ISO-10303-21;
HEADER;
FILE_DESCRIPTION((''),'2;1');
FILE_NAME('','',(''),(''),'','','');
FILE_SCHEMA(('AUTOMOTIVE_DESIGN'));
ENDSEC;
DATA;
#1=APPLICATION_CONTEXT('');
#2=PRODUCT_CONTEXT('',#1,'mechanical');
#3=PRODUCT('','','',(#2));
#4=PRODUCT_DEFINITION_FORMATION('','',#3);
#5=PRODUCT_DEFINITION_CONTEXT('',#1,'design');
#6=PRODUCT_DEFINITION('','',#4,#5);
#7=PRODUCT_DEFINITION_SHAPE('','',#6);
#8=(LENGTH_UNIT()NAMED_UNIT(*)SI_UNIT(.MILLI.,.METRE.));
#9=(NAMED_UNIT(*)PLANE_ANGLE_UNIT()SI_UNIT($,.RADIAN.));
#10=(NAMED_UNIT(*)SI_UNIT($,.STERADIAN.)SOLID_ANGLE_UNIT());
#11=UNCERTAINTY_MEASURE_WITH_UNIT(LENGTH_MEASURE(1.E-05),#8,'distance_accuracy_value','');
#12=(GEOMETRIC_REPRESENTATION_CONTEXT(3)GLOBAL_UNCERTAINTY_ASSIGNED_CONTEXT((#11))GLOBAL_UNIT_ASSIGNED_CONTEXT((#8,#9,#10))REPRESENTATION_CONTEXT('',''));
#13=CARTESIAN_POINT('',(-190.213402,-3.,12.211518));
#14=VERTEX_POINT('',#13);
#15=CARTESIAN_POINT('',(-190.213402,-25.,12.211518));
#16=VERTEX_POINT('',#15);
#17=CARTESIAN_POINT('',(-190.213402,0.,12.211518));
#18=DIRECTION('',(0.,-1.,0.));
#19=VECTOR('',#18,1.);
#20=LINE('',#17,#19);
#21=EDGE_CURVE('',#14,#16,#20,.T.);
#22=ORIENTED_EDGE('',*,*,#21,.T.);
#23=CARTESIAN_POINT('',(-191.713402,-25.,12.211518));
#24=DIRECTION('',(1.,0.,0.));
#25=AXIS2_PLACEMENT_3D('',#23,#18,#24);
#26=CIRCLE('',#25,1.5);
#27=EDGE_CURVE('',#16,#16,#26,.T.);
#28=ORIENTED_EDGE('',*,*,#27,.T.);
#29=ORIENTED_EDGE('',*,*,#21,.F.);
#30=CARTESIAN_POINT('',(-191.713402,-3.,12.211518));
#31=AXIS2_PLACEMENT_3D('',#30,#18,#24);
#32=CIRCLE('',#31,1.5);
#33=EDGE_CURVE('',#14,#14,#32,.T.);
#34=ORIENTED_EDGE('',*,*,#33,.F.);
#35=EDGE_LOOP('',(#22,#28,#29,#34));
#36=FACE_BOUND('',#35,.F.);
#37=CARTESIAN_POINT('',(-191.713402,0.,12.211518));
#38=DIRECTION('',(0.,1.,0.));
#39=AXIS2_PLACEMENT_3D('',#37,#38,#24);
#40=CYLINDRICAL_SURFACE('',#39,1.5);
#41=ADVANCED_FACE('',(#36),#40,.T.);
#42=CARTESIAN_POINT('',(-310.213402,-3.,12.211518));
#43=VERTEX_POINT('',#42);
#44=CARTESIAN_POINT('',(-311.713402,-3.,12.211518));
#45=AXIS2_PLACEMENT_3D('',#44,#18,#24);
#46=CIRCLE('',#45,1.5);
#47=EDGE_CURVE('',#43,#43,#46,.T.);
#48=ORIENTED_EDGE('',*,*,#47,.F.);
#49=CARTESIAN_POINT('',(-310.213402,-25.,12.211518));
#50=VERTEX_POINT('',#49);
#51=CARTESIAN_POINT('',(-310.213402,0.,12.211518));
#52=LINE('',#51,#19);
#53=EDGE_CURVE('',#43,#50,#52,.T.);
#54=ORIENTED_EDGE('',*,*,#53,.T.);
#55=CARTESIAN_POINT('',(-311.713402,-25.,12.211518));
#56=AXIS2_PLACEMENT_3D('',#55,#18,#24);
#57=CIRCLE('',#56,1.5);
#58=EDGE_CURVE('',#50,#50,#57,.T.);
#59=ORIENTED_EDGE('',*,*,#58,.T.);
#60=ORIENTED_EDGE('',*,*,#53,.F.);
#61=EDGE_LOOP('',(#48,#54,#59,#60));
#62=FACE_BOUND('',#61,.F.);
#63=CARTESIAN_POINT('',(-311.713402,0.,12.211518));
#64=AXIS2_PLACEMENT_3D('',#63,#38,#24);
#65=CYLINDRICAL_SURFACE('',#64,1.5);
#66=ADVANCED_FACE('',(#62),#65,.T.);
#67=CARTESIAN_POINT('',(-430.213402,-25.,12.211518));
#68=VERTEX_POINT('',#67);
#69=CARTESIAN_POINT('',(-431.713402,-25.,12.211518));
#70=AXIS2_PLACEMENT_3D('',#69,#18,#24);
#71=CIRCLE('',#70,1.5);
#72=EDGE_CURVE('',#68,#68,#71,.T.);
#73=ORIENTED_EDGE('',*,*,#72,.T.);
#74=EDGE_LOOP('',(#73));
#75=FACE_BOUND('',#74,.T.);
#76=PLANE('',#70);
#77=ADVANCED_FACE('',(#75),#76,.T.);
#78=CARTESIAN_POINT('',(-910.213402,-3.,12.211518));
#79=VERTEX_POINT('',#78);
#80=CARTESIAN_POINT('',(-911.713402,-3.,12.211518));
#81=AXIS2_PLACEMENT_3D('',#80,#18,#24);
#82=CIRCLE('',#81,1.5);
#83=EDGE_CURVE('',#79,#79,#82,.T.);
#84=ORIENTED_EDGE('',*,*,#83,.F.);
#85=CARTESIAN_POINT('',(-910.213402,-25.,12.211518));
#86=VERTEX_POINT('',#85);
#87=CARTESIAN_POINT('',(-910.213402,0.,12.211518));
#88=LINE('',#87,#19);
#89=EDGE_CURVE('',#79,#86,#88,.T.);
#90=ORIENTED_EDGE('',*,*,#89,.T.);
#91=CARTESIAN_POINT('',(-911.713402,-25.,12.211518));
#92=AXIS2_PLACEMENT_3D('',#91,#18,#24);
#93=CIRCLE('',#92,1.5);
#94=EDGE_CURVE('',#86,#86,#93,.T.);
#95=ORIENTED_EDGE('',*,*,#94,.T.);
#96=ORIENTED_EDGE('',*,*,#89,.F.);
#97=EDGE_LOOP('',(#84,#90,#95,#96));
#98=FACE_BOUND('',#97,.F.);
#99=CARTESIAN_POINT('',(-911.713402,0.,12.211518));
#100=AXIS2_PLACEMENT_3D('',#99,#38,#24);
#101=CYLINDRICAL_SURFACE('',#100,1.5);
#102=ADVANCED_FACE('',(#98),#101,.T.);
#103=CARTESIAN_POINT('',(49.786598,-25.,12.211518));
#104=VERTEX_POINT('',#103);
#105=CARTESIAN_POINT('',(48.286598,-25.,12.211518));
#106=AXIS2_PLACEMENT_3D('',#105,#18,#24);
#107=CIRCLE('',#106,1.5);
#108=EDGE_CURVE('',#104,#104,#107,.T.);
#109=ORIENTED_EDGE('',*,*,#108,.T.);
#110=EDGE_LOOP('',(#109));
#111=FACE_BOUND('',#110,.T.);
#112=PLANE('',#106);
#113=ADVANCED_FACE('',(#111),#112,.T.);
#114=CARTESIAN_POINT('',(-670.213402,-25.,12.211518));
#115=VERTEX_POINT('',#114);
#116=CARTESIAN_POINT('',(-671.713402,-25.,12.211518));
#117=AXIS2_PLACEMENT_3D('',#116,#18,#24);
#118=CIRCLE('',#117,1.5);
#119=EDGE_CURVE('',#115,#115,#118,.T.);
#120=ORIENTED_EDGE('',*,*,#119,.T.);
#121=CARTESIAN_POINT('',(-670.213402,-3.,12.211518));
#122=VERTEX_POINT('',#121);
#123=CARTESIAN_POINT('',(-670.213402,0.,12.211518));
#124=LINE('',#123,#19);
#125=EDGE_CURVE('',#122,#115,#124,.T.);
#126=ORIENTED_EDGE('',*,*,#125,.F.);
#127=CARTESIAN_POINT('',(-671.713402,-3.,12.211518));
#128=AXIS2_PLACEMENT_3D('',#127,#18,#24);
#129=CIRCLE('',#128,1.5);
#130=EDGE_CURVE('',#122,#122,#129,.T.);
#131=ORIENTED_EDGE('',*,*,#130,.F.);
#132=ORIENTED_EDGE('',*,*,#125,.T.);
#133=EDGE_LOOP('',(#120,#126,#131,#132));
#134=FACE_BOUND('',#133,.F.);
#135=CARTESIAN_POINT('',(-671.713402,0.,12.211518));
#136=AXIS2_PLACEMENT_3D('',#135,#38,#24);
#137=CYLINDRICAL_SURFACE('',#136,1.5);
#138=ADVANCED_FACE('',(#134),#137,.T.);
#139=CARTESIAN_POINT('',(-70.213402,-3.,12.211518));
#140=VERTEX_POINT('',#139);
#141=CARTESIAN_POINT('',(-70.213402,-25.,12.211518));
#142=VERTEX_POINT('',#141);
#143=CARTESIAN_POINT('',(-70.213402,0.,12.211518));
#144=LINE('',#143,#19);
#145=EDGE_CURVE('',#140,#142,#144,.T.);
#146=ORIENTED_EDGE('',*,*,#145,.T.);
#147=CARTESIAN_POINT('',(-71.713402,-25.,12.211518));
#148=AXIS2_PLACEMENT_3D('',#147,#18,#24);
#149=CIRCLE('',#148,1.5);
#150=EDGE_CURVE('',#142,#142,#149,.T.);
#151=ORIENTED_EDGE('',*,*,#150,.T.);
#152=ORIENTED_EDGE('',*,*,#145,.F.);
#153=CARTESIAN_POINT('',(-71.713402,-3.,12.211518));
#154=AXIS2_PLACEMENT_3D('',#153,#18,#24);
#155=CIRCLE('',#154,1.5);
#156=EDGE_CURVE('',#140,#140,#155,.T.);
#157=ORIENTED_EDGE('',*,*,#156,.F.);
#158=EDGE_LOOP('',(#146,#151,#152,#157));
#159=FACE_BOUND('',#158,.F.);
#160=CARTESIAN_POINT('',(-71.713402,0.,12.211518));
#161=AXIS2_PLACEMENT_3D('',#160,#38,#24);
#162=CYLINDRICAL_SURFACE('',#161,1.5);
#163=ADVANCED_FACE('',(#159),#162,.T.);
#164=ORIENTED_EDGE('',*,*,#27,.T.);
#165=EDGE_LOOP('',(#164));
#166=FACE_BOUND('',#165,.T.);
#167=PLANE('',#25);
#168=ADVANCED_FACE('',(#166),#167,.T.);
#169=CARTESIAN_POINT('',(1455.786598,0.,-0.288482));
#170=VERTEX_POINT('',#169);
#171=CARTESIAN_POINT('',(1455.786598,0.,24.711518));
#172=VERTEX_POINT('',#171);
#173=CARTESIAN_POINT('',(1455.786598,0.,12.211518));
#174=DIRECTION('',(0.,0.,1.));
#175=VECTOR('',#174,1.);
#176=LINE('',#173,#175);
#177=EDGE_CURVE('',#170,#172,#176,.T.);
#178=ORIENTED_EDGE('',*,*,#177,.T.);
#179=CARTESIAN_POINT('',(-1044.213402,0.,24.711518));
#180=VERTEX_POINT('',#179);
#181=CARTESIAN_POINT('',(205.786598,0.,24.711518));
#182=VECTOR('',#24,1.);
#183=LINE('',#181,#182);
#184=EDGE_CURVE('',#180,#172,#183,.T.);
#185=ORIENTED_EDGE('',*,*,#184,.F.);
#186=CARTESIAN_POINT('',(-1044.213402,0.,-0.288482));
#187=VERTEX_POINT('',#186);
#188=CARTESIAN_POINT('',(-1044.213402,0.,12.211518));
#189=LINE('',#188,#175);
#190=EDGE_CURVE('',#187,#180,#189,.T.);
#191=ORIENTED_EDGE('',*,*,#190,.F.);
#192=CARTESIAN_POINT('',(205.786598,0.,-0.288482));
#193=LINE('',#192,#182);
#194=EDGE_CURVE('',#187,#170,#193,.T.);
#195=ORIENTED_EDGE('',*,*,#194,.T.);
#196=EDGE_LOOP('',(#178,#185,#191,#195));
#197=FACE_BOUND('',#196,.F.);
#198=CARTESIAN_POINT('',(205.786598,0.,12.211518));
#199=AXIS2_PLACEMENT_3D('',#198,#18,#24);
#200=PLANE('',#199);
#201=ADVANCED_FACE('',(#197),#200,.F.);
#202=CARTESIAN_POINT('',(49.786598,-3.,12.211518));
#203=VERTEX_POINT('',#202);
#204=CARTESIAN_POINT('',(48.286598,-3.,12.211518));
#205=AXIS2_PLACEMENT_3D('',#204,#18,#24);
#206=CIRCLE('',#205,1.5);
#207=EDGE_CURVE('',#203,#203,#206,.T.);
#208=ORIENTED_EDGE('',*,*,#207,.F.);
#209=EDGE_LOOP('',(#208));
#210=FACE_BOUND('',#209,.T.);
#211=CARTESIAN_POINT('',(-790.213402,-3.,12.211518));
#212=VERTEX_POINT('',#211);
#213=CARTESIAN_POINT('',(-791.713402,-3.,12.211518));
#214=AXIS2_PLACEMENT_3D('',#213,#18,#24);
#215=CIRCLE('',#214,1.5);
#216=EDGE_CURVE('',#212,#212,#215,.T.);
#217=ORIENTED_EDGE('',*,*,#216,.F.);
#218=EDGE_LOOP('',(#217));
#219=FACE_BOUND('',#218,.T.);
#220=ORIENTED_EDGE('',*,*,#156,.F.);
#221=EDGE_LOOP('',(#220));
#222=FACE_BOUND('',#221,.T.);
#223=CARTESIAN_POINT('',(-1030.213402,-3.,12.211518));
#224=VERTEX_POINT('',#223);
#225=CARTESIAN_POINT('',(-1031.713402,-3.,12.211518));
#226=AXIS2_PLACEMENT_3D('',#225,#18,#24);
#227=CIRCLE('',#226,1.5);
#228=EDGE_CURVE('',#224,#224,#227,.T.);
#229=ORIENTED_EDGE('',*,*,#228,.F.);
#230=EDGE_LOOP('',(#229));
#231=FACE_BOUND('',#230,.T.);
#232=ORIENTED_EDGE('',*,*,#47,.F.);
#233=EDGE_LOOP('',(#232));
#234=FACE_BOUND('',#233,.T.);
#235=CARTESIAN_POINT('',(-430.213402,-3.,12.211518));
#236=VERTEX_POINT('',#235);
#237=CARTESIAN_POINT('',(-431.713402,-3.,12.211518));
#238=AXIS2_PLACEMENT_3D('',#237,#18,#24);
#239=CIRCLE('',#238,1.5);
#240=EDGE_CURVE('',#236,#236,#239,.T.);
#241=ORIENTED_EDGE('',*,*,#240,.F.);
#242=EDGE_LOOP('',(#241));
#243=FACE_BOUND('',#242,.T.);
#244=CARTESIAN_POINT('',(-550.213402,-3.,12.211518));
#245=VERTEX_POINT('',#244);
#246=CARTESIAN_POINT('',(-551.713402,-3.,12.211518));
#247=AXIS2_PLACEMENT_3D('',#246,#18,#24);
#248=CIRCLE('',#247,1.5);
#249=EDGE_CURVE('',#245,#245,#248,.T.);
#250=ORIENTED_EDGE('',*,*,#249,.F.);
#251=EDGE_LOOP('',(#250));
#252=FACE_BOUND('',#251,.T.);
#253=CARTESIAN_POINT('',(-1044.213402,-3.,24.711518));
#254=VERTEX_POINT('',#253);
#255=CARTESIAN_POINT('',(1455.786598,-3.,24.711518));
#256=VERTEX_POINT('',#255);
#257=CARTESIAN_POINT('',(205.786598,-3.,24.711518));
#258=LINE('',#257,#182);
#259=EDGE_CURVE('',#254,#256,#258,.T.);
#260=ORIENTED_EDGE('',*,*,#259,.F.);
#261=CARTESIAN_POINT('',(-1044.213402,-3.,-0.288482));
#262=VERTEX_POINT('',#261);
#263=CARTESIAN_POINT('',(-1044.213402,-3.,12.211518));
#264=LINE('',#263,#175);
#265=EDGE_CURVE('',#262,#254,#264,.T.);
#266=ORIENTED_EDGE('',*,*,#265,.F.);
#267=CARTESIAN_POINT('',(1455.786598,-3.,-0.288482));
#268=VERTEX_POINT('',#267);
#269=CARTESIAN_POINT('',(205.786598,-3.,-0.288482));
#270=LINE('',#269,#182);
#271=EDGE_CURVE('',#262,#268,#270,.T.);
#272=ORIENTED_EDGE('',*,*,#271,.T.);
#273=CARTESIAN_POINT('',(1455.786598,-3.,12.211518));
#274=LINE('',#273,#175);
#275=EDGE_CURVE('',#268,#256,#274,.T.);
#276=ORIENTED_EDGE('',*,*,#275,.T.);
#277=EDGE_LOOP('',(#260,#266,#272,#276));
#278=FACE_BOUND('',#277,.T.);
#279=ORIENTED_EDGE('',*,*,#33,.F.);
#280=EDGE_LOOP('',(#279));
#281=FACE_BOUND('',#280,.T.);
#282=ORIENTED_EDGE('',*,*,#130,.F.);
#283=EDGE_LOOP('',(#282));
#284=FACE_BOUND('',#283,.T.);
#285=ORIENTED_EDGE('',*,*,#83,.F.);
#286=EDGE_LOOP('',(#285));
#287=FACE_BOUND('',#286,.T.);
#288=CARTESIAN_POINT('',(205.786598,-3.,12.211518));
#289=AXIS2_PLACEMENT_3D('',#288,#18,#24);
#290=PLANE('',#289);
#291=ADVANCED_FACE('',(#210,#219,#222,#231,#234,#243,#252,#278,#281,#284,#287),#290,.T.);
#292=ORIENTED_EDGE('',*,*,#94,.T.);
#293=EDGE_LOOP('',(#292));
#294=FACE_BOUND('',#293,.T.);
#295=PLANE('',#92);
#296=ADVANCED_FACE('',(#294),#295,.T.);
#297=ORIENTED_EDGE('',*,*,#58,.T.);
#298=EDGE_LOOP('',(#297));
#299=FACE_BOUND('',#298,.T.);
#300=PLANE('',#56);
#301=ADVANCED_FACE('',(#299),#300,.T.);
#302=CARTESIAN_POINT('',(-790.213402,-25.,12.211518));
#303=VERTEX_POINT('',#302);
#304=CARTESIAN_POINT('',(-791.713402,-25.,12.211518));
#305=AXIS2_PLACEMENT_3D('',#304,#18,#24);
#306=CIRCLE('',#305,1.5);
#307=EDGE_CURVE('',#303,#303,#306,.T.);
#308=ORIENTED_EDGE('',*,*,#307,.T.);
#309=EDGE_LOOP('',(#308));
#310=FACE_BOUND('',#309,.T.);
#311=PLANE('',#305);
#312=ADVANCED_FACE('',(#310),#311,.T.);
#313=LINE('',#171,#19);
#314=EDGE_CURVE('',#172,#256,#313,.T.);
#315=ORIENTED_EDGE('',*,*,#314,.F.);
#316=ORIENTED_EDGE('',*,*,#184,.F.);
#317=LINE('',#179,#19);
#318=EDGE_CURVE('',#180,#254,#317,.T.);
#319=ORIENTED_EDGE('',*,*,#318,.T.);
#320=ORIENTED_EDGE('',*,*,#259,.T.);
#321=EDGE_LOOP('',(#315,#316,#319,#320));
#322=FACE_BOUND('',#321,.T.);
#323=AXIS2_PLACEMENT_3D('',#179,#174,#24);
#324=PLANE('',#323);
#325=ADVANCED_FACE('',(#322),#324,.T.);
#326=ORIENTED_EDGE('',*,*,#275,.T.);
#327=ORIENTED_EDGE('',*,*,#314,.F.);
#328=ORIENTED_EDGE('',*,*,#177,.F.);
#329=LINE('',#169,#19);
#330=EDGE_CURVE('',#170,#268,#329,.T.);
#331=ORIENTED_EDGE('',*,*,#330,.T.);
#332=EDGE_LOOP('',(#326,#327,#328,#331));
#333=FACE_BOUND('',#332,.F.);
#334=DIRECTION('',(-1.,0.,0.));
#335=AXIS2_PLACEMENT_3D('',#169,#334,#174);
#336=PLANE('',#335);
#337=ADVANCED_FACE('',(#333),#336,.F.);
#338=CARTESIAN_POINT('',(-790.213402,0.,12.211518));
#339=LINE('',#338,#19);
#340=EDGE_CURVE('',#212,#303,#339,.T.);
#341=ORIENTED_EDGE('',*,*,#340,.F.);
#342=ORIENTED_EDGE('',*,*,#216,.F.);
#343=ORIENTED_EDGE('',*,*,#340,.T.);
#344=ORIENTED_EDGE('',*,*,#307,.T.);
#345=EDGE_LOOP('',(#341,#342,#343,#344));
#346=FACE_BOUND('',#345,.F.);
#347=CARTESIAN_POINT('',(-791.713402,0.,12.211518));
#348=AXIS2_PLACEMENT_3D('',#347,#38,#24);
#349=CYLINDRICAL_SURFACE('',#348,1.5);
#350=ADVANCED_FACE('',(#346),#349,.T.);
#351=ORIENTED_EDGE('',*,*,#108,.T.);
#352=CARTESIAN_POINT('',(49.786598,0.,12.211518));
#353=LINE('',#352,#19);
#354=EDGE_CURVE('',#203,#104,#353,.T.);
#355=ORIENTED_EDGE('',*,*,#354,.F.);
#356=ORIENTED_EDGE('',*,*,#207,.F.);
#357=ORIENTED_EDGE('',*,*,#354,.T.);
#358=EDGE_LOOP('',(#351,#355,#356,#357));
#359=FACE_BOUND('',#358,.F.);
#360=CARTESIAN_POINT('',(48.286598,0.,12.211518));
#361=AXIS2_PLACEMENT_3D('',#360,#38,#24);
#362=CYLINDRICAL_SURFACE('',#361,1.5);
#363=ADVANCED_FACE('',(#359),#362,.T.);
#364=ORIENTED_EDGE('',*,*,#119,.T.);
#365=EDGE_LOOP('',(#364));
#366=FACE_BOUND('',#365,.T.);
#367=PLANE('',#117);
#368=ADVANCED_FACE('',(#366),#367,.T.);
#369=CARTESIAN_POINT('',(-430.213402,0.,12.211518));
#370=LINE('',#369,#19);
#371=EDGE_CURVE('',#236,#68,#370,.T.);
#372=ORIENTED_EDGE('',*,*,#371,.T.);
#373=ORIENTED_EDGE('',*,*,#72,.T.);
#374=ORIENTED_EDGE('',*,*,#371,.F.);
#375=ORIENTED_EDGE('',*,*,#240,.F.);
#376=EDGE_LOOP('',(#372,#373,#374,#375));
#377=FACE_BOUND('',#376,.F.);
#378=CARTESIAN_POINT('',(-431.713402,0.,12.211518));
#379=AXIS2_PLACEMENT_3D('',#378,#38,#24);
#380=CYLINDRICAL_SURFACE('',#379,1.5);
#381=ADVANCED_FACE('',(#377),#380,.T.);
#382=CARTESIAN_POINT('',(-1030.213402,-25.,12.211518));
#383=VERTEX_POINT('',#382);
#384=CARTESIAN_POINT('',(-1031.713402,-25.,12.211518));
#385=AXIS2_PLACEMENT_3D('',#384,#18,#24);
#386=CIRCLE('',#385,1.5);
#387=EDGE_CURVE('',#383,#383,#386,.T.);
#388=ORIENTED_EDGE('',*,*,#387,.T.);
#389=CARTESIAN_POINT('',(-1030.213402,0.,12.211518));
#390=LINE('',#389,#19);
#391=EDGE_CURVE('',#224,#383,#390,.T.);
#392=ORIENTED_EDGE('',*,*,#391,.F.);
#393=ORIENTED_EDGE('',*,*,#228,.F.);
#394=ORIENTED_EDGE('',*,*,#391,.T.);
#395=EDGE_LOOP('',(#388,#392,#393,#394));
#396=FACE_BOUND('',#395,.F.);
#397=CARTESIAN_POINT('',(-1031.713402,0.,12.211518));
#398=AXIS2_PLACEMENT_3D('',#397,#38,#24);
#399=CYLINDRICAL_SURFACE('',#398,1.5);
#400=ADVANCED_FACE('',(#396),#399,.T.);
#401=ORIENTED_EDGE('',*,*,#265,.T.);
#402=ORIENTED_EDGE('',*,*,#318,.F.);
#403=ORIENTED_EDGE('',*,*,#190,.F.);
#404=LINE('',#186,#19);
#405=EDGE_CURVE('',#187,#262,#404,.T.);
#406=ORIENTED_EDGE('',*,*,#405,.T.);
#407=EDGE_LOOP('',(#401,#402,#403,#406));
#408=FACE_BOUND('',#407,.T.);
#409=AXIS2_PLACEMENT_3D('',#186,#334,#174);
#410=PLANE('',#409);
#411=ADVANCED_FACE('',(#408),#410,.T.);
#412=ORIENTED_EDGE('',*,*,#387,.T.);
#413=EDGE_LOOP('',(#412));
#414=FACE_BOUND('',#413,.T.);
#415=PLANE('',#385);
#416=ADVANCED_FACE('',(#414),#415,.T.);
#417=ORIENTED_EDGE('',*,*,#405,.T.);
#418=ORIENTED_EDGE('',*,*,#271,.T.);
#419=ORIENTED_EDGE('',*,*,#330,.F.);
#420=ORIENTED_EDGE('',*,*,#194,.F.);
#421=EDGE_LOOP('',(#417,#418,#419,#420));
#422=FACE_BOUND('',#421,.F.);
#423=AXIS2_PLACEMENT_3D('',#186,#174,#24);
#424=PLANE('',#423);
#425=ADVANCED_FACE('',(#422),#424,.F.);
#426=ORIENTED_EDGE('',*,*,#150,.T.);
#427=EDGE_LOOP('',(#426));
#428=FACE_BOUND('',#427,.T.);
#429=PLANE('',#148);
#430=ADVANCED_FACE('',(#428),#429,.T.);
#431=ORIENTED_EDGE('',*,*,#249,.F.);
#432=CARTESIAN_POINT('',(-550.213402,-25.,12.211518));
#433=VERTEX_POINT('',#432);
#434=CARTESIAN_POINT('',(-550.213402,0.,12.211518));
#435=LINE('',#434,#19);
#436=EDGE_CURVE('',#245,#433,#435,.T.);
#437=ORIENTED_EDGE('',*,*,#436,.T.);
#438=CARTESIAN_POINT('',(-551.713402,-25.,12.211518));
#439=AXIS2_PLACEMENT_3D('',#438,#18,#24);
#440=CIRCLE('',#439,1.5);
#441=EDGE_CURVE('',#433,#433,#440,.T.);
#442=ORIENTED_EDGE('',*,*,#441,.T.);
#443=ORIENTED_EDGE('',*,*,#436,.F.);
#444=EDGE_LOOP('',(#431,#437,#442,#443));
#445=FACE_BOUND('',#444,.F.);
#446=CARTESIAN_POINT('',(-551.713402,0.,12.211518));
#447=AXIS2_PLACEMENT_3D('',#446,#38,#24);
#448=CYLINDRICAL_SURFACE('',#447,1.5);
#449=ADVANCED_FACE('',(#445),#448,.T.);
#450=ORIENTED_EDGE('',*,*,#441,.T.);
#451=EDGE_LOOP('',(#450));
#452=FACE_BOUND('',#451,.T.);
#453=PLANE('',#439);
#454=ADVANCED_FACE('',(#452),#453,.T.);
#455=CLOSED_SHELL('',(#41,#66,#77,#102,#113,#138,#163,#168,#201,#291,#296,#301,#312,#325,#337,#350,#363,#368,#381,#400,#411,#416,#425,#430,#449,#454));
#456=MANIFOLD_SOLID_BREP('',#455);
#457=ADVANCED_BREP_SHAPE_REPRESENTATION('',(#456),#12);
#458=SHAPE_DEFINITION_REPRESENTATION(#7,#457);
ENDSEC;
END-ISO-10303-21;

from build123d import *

# Parameters (mm, degrees)
F0_W     = 2500
F0_H     = 25
F0_R     = 1.5
F1_DEPTH = 3
F2_DEPTH = 25


with BuildPart() as f1:
    # F0 (on Front) → F1 (new body)
    with BuildSketch(Plane.XZ):
        with Locations((205.786598, 12.211518)):
            Rectangle(F0_W, F0_H)
        with Locations((-1031.713402, 12.211518)):
            Circle(F0_R, mode=Mode.SUBTRACT)
        with Locations((-911.713402, 12.211518)):
            Circle(F0_R, mode=Mode.SUBTRACT)
        with Locations((-791.713402, 12.211518)):
            Circle(F0_R, mode=Mode.SUBTRACT)
        with Locations((-671.713402, 12.211518)):
            Circle(F0_R, mode=Mode.SUBTRACT)
        with Locations((-551.713402, 12.211518)):
            Circle(F0_R, mode=Mode.SUBTRACT)
        with Locations((-431.713402, 12.211518)):
            Circle(F0_R, mode=Mode.SUBTRACT)
        with Locations((-311.713402, 12.211518)):
            Circle(F0_R, mode=Mode.SUBTRACT)
        with Locations((-191.713402, 12.211518)):
            Circle(F0_R, mode=Mode.SUBTRACT)
        with Locations((-71.713402, 12.211518)):
            Circle(F0_R, mode=Mode.SUBTRACT)
        with Locations((48.286598, 12.211518)):
            Circle(F0_R, mode=Mode.SUBTRACT)
    extrude(amount=F1_DEPTH)

    # F0 (on Front) → F2 (join)
    with BuildSketch(Plane.XZ):
        with Locations((-1031.713402, 12.211518)):
            Circle(F0_R)
        with Locations((-911.713402, 12.211518)):
            Circle(F0_R)
        with Locations((-791.713402, 12.211518)):
            Circle(F0_R)
        with Locations((-671.713402, 12.211518)):
            Circle(F0_R)
        with Locations((-551.713402, 12.211518)):
            Circle(F0_R)
        with Locations((-431.713402, 12.211518)):
            Circle(F0_R)
        with Locations((-311.713402, 12.211518)):
            Circle(F0_R)
        with Locations((-191.713402, 12.211518)):
            Circle(F0_R)
        with Locations((-71.713402, 12.211518)):
            Circle(F0_R)
        with Locations((48.286598, 12.211518)):
            Circle(F0_R)
    extrude(amount=F2_DEPTH)


solid = f1.part
